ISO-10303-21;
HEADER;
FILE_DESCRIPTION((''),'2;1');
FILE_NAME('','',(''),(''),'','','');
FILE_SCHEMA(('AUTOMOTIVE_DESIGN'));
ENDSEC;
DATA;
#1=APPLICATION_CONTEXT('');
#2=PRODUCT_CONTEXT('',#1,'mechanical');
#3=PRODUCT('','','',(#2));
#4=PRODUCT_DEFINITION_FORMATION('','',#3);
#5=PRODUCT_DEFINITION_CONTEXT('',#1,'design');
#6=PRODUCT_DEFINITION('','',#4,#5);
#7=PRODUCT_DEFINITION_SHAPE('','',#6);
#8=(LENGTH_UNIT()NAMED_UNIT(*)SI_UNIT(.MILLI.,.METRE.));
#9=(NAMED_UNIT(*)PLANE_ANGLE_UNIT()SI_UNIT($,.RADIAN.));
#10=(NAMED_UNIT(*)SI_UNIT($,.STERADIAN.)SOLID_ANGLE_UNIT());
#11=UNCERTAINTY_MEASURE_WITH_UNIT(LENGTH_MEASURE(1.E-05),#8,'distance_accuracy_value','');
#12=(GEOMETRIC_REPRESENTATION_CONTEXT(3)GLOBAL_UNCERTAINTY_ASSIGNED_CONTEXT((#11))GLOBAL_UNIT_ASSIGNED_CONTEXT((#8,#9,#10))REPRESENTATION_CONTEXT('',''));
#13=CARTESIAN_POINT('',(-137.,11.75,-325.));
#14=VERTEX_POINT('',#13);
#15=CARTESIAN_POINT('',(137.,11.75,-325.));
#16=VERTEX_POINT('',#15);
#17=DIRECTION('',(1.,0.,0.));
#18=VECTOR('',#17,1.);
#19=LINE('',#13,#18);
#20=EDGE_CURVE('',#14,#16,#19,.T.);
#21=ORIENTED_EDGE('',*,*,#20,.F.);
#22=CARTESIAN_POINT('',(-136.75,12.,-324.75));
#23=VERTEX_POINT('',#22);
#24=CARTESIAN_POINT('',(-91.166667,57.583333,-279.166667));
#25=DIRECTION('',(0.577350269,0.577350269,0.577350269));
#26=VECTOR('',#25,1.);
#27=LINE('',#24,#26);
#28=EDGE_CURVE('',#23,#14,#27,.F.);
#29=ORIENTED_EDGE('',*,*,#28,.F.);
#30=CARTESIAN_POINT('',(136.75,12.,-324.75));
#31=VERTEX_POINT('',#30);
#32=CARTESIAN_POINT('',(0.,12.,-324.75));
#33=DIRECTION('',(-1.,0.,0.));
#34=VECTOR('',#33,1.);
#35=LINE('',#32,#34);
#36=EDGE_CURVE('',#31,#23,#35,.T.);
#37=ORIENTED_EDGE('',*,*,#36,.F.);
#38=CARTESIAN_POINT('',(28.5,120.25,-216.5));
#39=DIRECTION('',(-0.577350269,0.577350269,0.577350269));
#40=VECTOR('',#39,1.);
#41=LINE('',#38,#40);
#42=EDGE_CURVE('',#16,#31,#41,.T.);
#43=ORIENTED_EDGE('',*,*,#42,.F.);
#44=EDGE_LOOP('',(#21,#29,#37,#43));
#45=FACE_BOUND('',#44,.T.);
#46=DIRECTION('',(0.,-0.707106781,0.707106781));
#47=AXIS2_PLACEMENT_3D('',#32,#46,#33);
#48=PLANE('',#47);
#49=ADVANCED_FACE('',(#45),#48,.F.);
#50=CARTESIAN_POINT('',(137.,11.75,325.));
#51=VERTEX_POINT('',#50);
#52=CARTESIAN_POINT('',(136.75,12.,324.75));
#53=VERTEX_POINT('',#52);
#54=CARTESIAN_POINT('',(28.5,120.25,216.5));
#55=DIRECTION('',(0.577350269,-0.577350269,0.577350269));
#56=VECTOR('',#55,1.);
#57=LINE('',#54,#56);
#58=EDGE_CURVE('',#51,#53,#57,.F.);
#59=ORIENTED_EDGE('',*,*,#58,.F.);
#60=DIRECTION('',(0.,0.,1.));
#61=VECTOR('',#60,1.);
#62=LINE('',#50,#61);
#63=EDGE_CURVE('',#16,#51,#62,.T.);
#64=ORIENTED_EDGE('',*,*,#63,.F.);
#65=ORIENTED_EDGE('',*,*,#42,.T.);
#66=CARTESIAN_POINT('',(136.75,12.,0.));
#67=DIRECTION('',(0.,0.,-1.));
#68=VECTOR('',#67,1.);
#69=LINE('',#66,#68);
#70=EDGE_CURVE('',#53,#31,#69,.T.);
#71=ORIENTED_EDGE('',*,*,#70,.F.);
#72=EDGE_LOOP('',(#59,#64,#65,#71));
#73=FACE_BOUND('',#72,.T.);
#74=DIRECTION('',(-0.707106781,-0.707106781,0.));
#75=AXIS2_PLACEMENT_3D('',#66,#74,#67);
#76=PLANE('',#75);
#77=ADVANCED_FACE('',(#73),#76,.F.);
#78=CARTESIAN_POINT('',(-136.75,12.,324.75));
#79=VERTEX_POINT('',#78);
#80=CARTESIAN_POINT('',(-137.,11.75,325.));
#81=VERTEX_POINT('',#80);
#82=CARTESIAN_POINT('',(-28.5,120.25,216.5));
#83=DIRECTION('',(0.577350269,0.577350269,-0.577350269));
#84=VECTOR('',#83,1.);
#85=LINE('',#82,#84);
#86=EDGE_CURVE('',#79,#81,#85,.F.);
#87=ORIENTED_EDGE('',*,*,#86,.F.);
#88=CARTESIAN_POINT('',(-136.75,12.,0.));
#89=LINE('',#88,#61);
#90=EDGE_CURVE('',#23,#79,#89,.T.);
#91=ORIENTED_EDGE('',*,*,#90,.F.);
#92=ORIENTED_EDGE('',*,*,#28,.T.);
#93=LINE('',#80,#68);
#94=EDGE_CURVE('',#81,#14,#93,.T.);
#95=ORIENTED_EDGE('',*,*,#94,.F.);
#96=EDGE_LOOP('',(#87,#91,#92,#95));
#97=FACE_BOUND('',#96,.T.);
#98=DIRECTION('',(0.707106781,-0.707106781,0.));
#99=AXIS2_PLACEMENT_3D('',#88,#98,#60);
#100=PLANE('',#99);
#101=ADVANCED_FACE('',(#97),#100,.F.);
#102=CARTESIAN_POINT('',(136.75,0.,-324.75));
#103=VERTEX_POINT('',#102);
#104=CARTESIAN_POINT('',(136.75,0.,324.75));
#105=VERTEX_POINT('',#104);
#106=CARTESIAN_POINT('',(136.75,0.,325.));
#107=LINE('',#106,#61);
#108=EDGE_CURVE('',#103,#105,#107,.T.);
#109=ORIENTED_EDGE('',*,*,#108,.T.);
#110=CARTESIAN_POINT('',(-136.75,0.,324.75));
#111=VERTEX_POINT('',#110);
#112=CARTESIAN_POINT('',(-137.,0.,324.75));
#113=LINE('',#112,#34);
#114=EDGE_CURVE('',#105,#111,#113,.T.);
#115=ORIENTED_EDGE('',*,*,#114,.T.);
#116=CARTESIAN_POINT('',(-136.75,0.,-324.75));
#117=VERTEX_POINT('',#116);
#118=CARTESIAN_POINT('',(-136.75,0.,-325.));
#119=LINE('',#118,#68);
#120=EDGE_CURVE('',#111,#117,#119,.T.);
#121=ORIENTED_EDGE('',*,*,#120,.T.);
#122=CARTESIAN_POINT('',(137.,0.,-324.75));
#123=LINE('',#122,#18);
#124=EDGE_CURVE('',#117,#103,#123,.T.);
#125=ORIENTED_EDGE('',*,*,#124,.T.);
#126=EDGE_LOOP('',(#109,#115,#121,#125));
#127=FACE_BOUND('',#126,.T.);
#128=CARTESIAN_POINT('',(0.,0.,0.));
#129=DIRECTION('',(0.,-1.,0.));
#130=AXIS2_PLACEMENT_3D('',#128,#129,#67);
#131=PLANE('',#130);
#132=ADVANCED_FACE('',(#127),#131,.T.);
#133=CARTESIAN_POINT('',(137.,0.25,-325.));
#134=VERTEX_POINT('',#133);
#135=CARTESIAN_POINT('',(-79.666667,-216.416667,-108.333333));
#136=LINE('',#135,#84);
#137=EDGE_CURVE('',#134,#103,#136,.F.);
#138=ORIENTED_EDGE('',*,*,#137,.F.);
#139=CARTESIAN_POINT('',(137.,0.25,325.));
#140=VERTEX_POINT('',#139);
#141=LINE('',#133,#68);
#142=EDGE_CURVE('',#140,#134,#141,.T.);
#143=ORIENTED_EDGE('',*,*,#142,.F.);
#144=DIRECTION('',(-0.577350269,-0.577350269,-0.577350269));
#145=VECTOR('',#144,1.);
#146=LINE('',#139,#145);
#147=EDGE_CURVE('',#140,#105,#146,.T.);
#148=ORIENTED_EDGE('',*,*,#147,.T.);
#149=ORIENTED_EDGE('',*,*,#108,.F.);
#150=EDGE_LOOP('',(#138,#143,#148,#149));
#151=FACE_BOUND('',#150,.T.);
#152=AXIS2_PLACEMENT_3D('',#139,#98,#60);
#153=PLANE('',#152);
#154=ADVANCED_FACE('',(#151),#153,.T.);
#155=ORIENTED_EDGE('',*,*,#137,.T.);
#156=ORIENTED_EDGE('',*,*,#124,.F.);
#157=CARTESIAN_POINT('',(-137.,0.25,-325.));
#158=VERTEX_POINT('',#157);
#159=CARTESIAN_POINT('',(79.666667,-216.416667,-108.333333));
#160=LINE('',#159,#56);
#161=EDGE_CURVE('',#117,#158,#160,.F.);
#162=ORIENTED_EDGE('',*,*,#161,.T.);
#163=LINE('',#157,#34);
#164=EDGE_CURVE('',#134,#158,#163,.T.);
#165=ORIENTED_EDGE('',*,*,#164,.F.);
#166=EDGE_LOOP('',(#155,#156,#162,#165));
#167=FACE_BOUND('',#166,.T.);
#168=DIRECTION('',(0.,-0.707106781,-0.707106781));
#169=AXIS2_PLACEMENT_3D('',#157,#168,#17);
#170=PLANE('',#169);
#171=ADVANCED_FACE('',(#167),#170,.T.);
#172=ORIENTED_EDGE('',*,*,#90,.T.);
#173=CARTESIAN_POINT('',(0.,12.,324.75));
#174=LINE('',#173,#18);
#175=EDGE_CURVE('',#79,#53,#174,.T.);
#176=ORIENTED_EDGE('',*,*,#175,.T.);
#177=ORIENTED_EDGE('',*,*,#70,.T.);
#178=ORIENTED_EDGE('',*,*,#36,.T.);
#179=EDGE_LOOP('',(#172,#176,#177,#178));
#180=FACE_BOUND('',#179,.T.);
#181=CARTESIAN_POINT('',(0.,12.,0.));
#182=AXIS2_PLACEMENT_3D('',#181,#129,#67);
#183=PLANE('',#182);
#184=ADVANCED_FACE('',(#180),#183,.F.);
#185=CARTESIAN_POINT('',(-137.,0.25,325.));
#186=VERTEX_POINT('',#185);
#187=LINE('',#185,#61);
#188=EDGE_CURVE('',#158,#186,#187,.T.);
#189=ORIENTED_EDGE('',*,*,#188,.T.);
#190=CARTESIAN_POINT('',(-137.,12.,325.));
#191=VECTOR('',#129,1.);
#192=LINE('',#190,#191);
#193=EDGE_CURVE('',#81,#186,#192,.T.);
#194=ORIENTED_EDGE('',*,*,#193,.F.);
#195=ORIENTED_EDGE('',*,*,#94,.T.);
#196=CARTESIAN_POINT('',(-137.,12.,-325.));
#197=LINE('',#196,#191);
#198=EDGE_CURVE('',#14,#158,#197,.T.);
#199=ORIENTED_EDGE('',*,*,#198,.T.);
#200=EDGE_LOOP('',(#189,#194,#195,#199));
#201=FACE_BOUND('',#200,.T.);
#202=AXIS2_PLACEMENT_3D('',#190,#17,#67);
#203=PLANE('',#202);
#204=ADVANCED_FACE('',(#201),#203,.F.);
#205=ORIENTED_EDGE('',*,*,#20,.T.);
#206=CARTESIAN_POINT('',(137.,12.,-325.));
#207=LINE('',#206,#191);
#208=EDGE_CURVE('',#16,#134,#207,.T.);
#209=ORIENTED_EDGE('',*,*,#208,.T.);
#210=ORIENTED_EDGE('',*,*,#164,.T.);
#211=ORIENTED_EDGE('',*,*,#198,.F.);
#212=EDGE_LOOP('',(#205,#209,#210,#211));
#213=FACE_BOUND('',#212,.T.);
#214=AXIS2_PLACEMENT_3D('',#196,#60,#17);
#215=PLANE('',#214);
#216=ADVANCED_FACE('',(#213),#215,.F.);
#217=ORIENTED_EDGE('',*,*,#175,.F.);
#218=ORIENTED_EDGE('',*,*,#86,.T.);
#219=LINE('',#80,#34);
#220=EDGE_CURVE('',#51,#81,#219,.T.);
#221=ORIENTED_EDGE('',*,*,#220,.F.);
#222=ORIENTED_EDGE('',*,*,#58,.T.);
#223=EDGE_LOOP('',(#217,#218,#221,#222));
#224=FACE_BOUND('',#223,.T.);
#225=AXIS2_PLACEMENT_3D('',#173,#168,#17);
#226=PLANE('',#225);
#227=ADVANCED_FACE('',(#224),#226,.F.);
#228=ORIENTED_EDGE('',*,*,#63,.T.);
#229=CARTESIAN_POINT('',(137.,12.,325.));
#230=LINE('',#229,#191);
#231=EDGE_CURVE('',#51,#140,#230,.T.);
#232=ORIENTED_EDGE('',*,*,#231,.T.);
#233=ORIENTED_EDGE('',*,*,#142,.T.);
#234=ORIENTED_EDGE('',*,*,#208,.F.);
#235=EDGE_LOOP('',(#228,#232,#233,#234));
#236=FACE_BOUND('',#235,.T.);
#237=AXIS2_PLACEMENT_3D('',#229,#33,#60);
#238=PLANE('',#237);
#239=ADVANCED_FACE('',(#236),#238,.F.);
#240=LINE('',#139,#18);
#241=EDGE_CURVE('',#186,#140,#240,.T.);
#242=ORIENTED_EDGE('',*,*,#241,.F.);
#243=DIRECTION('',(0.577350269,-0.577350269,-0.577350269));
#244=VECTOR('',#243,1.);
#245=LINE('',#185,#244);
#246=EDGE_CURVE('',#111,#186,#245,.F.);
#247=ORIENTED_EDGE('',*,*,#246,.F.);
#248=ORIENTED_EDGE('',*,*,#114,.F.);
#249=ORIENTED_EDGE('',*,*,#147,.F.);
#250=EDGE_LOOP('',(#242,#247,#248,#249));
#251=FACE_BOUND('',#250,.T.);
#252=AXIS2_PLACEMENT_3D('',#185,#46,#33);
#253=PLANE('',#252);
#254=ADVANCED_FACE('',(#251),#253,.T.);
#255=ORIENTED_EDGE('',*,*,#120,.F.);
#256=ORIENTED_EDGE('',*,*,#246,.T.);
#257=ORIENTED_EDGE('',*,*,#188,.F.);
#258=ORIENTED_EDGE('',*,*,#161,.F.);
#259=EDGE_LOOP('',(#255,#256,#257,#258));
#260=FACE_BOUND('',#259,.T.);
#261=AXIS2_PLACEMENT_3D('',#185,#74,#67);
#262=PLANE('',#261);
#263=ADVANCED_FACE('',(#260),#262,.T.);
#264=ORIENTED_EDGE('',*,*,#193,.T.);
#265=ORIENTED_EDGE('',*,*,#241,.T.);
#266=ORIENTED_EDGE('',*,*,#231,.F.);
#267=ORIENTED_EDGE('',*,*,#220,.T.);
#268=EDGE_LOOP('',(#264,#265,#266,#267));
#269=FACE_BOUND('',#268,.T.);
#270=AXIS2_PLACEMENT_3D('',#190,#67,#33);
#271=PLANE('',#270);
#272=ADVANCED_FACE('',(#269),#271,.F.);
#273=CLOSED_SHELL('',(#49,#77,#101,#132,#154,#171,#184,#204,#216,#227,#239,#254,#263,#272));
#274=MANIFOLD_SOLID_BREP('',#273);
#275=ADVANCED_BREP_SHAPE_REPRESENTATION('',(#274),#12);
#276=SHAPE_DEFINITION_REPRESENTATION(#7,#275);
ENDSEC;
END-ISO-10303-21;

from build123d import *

# Parameters (mm, degrees)
SKETCH1_W           = 274
SKETCH1_H           = 650
BOSS_EXTRUDE1_DEPTH = 12
CHAMFER1_SIZE       = 0.25


with BuildPart() as part:
    # Sketch1 → Boss-Extrude1 (new body)
    with BuildSketch(Plane(origin=(0, 0, 0), x_dir=(1, 0, 0), z_dir=(0, 1, 0))):
        Rectangle(SKETCH1_W, SKETCH1_H)
    extrude(amount=BOSS_EXTRUDE1_DEPTH)

    # Chamfer1
    chamfer1_edges = [part.edges().sort_by_distance(p)[0] for p in [
        (-137, 12, 0),
        (0, 12, 325),
        (137, 12, 0),
        (0, 0, 325),
        (-137, 0, 0),
        (0, 0, -325),
        (137, 0, 0),
        (0, 12, -325),
    ]]
    chamfer(chamfer1_edges, length=CHAMFER1_SIZE)


solid = part.part
